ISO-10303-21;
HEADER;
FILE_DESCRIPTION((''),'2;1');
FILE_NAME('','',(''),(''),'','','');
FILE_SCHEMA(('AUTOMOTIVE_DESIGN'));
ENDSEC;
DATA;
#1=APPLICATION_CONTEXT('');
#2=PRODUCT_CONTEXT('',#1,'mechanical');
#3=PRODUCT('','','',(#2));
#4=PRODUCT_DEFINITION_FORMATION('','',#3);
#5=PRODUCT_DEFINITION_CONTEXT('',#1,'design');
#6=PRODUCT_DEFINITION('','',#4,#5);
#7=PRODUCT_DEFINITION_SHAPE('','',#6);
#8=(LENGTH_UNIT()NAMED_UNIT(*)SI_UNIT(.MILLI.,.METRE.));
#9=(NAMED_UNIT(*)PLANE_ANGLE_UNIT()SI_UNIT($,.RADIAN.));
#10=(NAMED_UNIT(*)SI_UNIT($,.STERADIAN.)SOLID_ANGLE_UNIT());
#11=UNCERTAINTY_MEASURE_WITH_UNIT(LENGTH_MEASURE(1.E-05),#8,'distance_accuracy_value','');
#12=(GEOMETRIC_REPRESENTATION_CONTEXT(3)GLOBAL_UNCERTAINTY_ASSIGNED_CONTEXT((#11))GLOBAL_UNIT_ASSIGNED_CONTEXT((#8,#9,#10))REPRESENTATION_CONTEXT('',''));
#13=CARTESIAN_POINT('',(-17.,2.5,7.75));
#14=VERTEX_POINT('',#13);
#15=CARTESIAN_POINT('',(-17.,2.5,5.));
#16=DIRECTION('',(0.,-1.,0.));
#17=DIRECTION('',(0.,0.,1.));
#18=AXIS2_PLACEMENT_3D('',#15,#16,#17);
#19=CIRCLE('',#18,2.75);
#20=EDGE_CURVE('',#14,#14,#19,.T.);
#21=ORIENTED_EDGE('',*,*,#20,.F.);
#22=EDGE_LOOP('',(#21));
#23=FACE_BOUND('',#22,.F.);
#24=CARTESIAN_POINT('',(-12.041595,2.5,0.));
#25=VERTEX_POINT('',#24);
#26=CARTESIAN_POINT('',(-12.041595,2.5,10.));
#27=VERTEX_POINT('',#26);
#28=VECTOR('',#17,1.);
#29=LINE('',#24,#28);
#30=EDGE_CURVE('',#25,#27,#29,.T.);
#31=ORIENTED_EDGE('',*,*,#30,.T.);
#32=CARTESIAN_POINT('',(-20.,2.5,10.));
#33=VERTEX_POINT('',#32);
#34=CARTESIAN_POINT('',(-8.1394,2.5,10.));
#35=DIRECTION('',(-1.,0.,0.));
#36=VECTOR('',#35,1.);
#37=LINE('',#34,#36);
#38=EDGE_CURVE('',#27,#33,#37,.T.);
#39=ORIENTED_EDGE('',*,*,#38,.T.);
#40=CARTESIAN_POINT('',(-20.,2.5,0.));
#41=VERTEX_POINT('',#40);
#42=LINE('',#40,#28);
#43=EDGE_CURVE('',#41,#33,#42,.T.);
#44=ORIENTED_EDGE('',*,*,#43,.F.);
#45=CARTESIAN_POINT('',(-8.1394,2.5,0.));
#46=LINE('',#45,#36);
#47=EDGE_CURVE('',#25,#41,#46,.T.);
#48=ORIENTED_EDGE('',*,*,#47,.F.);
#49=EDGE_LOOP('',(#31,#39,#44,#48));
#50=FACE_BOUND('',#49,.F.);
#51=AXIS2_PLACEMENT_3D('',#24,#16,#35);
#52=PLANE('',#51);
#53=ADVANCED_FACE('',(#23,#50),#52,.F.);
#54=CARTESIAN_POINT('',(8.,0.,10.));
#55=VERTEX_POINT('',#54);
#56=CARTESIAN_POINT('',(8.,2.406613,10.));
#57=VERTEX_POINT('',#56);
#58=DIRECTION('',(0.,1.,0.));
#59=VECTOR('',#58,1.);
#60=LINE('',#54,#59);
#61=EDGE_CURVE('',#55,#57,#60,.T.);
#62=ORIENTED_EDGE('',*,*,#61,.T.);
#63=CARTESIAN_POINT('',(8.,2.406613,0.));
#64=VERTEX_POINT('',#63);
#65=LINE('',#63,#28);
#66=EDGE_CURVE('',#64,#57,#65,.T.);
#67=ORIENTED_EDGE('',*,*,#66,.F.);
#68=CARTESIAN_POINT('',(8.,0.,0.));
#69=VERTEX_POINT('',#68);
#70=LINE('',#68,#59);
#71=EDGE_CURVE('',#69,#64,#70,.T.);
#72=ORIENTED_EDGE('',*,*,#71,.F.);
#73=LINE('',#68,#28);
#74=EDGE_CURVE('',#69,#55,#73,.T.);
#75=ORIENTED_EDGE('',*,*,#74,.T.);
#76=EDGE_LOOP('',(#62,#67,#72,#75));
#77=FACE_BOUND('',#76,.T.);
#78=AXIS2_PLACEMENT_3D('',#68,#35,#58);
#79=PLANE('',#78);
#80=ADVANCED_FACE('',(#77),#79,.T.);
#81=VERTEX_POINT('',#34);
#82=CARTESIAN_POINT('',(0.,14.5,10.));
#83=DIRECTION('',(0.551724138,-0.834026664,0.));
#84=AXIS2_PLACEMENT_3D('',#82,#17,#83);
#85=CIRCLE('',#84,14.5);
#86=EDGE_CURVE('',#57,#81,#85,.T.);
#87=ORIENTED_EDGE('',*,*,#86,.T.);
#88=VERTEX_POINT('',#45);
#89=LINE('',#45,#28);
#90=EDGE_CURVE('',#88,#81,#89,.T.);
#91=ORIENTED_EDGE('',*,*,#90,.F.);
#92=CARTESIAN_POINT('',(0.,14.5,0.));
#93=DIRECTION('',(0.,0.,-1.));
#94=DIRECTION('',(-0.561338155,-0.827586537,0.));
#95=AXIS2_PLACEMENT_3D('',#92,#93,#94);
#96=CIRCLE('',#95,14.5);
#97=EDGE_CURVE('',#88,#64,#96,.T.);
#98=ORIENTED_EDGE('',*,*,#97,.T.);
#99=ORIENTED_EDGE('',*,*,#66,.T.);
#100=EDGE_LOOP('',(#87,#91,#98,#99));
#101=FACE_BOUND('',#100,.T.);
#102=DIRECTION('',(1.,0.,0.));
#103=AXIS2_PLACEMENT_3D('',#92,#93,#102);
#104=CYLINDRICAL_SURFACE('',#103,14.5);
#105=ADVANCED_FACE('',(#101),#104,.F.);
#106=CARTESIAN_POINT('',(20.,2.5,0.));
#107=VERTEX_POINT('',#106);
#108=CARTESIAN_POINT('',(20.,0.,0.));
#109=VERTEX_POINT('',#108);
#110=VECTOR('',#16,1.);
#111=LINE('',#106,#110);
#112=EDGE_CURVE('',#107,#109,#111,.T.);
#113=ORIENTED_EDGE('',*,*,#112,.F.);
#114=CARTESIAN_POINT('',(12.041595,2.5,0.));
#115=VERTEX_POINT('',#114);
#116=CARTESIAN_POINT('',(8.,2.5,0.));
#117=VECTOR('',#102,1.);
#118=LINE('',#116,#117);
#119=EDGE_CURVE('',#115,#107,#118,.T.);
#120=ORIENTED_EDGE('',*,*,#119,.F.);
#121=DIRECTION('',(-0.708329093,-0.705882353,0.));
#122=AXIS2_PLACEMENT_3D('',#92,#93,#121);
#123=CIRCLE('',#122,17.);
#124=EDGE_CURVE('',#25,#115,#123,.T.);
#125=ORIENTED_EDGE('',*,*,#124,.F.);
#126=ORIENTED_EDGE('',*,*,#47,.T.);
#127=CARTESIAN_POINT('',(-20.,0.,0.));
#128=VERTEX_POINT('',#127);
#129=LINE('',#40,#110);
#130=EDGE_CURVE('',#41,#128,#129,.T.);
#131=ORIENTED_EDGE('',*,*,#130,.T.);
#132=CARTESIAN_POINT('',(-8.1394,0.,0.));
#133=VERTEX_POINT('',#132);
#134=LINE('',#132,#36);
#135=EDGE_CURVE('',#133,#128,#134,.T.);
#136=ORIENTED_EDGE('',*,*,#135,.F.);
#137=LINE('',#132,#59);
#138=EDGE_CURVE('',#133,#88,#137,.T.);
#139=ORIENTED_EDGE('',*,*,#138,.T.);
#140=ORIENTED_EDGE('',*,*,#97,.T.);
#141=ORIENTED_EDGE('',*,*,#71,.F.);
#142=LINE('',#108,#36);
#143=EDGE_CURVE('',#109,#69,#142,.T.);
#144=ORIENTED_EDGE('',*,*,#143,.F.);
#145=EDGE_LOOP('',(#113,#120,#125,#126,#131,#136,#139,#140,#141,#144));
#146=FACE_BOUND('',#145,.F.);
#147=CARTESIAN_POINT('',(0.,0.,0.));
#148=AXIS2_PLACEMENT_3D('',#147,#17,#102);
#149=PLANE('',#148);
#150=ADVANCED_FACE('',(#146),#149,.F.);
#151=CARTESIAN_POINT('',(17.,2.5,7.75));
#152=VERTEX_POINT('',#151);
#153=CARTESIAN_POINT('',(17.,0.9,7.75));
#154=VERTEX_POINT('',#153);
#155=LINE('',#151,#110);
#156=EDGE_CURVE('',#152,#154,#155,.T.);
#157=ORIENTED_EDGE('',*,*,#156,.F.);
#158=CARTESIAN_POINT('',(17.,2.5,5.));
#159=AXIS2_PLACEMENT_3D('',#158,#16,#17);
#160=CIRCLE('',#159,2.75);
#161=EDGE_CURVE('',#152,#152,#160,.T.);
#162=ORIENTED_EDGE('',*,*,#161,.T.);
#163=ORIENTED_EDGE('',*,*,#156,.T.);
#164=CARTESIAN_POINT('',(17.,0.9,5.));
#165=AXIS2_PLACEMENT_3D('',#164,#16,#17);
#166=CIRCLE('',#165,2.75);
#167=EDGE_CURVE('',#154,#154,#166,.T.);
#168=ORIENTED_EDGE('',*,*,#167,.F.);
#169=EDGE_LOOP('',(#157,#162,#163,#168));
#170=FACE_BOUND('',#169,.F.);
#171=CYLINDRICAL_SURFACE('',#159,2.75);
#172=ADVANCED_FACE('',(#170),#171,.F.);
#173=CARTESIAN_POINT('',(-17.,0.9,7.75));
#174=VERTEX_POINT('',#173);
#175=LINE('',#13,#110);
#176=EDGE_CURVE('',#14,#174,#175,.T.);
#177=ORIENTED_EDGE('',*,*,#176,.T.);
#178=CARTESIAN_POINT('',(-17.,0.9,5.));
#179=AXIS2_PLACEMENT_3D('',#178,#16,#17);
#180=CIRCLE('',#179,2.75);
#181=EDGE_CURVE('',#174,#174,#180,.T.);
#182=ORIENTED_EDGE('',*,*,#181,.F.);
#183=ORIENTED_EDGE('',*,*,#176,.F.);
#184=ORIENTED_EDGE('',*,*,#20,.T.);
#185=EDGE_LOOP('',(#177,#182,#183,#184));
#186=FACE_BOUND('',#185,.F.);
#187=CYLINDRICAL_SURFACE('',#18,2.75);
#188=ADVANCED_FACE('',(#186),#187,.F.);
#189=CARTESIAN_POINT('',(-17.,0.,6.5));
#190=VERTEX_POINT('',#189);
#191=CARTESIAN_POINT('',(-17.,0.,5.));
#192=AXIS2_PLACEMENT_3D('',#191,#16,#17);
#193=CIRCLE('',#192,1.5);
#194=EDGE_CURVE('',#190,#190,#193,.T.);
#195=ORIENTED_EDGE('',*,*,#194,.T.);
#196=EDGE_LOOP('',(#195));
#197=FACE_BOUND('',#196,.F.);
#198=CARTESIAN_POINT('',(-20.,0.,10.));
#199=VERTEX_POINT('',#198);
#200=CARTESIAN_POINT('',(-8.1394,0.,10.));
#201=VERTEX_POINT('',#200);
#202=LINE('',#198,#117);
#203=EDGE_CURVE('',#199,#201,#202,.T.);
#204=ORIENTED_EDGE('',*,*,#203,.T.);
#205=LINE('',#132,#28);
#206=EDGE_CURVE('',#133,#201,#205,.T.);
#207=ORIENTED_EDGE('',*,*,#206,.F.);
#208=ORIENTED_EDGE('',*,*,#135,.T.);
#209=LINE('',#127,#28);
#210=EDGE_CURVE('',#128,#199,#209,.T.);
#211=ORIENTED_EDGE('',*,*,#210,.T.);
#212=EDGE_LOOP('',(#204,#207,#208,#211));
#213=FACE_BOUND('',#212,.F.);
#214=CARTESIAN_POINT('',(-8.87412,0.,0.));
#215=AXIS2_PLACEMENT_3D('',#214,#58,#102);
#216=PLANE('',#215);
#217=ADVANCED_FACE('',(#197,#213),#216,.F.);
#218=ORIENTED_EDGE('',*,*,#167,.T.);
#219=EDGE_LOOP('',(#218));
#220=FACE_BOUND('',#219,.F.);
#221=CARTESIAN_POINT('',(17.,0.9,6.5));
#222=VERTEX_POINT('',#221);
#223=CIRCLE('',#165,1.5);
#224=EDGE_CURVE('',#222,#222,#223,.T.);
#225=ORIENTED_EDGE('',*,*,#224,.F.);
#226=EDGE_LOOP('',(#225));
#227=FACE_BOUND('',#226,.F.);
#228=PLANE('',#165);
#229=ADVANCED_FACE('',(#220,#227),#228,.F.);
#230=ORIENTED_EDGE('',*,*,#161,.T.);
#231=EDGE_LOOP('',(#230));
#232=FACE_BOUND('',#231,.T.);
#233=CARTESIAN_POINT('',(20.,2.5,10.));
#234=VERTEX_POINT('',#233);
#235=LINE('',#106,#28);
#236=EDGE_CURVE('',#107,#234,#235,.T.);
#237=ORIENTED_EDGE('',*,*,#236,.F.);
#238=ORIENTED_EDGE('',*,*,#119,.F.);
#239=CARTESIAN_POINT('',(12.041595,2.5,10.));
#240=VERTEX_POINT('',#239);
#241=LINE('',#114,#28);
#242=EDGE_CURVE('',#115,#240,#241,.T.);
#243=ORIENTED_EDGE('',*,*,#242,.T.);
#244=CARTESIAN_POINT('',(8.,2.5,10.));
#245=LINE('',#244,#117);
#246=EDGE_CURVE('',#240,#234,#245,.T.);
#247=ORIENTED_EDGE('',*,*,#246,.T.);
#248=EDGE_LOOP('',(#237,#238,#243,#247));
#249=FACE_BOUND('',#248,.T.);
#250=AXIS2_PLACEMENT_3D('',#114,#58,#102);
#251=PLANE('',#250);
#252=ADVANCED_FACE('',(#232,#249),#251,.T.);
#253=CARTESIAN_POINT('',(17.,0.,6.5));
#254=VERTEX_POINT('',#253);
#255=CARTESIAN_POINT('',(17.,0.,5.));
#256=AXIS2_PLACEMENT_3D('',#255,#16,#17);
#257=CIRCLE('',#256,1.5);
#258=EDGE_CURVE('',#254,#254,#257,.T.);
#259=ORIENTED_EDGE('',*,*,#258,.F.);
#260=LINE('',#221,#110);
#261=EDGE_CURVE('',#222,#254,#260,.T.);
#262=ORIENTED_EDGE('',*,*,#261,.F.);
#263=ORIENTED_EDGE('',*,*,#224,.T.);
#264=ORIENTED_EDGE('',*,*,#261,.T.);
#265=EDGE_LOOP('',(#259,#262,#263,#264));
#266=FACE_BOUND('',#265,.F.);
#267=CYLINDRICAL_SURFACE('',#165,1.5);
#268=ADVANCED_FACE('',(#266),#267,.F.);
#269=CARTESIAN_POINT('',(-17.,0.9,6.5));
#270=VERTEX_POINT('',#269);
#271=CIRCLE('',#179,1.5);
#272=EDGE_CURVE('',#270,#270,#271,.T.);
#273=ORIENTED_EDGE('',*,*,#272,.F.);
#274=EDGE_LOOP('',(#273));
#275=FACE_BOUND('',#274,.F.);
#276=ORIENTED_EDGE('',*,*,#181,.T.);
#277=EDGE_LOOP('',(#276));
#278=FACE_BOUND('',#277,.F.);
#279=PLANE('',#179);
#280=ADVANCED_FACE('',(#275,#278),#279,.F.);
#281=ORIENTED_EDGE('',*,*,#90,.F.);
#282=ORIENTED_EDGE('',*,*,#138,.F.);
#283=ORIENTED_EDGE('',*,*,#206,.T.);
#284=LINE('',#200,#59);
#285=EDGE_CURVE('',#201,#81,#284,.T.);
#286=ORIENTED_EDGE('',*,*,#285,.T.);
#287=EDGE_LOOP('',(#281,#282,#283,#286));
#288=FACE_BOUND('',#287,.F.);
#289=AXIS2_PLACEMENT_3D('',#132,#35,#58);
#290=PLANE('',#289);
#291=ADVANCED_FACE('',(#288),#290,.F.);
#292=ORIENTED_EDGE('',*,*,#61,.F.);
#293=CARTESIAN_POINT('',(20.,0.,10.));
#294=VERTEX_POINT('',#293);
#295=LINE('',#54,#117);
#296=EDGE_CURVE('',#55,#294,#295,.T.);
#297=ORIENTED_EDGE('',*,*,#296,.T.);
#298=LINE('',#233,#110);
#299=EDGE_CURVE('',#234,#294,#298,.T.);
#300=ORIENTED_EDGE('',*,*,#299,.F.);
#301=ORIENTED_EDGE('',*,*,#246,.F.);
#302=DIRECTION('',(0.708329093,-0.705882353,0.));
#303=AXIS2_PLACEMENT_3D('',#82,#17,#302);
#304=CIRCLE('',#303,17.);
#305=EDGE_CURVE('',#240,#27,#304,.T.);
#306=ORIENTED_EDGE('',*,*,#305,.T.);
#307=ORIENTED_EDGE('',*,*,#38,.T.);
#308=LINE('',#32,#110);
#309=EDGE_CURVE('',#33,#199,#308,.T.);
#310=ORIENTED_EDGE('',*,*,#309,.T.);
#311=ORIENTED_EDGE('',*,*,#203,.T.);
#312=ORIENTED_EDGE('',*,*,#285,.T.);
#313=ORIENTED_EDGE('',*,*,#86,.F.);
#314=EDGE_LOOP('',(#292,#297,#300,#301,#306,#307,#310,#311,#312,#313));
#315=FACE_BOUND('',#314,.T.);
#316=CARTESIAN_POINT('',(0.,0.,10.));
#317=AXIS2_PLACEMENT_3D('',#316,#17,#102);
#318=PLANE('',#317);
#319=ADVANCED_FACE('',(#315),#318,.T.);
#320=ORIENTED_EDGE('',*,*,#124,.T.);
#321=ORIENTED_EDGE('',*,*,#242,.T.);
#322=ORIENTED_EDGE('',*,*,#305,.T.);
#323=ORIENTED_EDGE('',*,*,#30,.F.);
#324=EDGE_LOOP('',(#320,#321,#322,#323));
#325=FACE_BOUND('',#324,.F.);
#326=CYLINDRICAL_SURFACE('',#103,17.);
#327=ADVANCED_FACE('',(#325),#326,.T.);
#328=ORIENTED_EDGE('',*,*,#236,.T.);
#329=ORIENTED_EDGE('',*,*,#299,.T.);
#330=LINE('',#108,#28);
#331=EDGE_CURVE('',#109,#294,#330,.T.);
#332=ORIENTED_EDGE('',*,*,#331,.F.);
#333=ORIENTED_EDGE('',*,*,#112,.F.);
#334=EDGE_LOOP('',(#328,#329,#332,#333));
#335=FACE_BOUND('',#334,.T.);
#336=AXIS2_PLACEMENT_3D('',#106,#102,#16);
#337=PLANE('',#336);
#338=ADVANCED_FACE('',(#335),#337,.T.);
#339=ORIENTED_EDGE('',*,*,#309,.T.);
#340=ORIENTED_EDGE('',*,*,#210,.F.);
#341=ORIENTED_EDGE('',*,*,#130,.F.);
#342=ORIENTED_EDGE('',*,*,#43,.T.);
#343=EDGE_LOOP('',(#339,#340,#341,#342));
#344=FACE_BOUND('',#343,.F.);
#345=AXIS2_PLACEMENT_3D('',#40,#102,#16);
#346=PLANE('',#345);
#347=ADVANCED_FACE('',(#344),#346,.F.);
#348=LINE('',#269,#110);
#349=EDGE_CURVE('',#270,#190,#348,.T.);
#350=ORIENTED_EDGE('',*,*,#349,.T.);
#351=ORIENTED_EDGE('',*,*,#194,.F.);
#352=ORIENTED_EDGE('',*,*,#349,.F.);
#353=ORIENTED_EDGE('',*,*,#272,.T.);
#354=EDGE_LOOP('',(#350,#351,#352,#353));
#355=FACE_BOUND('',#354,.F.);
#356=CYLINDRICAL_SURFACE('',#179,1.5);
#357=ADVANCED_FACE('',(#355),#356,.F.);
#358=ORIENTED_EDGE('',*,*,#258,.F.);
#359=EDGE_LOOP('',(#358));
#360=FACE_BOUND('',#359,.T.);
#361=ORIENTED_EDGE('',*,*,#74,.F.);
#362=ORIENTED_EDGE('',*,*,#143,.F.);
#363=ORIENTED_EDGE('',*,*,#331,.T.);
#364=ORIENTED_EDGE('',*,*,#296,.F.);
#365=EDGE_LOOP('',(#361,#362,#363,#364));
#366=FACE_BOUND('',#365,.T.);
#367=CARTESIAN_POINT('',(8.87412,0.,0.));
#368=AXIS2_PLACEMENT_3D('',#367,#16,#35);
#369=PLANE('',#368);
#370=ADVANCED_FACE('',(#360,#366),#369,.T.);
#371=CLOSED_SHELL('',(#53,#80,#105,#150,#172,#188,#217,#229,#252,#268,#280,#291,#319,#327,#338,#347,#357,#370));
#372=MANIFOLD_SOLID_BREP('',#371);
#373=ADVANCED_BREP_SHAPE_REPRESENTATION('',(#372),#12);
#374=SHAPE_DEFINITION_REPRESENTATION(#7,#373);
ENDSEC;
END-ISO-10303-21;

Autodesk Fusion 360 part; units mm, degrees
sketch "Sketch1" plane through (0, 0, 0) normal (0, 0, 1) x (1, 0, 0)
  line L0 (0, 0) -> (0, 14.5)
  circle A0 centre (0, 14.5) radius 14.5
  circle A1 centre (0, 14.5) radius 17
  line L1 (-8.8664, -0.0047) -> (8.8664, -0.0047)
  line L2 (20, 0) -> (8, 0)
  line L3 (8, 0) -> (8, 2.5)
  line L4 (8, 2.5) -> (20, 2.5)
  line L5 (20, 2.5) -> (20, 0)
  line L6 (0, 33) -> (0, -5) construction
  line L7 (-20, 0) -> (-8.1394, 0)
  line L8 (-8.1394, 0) -> (-8.1394, 2.5)
  line L9 (-8.1394, 2.5) -> (-20, 2.5)
  line L10 (-20, 2.5) -> (-20, 0)
  dimension "d2" = 14.5
  dimension "d3" = 29
  dimension "d4" = 34
  dimension "d5" = 2.5
extrude "Extrude1" add sketch "Sketch1" along normal blind 10 contours A0 A1 L4 L9 | A1 L7 L8 L9 | A0 A1 L2 L3 L4 | A1 L7 L9 L10 | A1 L2 L4 L5
sketch "Sketch2" plane through (0, 2.5, 0) normal (0, 1, 0) x (-1, 0, 0)
  line L0 (-20, 0) -> (-12.0416, 0)
  line L1 (-12.0416, 0) -> (-12.0416, 10)
  line L2 (-12.0416, 10) -> (-20, 10)
  line L3 (-20, 10) -> (-20, 0)
  point P0 (-17, 5)
  point P1 (17, 5)
hole "Hole1" at (17, 2.5, 5) at (-17, 2.5, 5) direction (0, -1, 0) diameter 3 depth 2.5 tip angle 180 counterbore diameter 5.5 counterbore depth 1.6
